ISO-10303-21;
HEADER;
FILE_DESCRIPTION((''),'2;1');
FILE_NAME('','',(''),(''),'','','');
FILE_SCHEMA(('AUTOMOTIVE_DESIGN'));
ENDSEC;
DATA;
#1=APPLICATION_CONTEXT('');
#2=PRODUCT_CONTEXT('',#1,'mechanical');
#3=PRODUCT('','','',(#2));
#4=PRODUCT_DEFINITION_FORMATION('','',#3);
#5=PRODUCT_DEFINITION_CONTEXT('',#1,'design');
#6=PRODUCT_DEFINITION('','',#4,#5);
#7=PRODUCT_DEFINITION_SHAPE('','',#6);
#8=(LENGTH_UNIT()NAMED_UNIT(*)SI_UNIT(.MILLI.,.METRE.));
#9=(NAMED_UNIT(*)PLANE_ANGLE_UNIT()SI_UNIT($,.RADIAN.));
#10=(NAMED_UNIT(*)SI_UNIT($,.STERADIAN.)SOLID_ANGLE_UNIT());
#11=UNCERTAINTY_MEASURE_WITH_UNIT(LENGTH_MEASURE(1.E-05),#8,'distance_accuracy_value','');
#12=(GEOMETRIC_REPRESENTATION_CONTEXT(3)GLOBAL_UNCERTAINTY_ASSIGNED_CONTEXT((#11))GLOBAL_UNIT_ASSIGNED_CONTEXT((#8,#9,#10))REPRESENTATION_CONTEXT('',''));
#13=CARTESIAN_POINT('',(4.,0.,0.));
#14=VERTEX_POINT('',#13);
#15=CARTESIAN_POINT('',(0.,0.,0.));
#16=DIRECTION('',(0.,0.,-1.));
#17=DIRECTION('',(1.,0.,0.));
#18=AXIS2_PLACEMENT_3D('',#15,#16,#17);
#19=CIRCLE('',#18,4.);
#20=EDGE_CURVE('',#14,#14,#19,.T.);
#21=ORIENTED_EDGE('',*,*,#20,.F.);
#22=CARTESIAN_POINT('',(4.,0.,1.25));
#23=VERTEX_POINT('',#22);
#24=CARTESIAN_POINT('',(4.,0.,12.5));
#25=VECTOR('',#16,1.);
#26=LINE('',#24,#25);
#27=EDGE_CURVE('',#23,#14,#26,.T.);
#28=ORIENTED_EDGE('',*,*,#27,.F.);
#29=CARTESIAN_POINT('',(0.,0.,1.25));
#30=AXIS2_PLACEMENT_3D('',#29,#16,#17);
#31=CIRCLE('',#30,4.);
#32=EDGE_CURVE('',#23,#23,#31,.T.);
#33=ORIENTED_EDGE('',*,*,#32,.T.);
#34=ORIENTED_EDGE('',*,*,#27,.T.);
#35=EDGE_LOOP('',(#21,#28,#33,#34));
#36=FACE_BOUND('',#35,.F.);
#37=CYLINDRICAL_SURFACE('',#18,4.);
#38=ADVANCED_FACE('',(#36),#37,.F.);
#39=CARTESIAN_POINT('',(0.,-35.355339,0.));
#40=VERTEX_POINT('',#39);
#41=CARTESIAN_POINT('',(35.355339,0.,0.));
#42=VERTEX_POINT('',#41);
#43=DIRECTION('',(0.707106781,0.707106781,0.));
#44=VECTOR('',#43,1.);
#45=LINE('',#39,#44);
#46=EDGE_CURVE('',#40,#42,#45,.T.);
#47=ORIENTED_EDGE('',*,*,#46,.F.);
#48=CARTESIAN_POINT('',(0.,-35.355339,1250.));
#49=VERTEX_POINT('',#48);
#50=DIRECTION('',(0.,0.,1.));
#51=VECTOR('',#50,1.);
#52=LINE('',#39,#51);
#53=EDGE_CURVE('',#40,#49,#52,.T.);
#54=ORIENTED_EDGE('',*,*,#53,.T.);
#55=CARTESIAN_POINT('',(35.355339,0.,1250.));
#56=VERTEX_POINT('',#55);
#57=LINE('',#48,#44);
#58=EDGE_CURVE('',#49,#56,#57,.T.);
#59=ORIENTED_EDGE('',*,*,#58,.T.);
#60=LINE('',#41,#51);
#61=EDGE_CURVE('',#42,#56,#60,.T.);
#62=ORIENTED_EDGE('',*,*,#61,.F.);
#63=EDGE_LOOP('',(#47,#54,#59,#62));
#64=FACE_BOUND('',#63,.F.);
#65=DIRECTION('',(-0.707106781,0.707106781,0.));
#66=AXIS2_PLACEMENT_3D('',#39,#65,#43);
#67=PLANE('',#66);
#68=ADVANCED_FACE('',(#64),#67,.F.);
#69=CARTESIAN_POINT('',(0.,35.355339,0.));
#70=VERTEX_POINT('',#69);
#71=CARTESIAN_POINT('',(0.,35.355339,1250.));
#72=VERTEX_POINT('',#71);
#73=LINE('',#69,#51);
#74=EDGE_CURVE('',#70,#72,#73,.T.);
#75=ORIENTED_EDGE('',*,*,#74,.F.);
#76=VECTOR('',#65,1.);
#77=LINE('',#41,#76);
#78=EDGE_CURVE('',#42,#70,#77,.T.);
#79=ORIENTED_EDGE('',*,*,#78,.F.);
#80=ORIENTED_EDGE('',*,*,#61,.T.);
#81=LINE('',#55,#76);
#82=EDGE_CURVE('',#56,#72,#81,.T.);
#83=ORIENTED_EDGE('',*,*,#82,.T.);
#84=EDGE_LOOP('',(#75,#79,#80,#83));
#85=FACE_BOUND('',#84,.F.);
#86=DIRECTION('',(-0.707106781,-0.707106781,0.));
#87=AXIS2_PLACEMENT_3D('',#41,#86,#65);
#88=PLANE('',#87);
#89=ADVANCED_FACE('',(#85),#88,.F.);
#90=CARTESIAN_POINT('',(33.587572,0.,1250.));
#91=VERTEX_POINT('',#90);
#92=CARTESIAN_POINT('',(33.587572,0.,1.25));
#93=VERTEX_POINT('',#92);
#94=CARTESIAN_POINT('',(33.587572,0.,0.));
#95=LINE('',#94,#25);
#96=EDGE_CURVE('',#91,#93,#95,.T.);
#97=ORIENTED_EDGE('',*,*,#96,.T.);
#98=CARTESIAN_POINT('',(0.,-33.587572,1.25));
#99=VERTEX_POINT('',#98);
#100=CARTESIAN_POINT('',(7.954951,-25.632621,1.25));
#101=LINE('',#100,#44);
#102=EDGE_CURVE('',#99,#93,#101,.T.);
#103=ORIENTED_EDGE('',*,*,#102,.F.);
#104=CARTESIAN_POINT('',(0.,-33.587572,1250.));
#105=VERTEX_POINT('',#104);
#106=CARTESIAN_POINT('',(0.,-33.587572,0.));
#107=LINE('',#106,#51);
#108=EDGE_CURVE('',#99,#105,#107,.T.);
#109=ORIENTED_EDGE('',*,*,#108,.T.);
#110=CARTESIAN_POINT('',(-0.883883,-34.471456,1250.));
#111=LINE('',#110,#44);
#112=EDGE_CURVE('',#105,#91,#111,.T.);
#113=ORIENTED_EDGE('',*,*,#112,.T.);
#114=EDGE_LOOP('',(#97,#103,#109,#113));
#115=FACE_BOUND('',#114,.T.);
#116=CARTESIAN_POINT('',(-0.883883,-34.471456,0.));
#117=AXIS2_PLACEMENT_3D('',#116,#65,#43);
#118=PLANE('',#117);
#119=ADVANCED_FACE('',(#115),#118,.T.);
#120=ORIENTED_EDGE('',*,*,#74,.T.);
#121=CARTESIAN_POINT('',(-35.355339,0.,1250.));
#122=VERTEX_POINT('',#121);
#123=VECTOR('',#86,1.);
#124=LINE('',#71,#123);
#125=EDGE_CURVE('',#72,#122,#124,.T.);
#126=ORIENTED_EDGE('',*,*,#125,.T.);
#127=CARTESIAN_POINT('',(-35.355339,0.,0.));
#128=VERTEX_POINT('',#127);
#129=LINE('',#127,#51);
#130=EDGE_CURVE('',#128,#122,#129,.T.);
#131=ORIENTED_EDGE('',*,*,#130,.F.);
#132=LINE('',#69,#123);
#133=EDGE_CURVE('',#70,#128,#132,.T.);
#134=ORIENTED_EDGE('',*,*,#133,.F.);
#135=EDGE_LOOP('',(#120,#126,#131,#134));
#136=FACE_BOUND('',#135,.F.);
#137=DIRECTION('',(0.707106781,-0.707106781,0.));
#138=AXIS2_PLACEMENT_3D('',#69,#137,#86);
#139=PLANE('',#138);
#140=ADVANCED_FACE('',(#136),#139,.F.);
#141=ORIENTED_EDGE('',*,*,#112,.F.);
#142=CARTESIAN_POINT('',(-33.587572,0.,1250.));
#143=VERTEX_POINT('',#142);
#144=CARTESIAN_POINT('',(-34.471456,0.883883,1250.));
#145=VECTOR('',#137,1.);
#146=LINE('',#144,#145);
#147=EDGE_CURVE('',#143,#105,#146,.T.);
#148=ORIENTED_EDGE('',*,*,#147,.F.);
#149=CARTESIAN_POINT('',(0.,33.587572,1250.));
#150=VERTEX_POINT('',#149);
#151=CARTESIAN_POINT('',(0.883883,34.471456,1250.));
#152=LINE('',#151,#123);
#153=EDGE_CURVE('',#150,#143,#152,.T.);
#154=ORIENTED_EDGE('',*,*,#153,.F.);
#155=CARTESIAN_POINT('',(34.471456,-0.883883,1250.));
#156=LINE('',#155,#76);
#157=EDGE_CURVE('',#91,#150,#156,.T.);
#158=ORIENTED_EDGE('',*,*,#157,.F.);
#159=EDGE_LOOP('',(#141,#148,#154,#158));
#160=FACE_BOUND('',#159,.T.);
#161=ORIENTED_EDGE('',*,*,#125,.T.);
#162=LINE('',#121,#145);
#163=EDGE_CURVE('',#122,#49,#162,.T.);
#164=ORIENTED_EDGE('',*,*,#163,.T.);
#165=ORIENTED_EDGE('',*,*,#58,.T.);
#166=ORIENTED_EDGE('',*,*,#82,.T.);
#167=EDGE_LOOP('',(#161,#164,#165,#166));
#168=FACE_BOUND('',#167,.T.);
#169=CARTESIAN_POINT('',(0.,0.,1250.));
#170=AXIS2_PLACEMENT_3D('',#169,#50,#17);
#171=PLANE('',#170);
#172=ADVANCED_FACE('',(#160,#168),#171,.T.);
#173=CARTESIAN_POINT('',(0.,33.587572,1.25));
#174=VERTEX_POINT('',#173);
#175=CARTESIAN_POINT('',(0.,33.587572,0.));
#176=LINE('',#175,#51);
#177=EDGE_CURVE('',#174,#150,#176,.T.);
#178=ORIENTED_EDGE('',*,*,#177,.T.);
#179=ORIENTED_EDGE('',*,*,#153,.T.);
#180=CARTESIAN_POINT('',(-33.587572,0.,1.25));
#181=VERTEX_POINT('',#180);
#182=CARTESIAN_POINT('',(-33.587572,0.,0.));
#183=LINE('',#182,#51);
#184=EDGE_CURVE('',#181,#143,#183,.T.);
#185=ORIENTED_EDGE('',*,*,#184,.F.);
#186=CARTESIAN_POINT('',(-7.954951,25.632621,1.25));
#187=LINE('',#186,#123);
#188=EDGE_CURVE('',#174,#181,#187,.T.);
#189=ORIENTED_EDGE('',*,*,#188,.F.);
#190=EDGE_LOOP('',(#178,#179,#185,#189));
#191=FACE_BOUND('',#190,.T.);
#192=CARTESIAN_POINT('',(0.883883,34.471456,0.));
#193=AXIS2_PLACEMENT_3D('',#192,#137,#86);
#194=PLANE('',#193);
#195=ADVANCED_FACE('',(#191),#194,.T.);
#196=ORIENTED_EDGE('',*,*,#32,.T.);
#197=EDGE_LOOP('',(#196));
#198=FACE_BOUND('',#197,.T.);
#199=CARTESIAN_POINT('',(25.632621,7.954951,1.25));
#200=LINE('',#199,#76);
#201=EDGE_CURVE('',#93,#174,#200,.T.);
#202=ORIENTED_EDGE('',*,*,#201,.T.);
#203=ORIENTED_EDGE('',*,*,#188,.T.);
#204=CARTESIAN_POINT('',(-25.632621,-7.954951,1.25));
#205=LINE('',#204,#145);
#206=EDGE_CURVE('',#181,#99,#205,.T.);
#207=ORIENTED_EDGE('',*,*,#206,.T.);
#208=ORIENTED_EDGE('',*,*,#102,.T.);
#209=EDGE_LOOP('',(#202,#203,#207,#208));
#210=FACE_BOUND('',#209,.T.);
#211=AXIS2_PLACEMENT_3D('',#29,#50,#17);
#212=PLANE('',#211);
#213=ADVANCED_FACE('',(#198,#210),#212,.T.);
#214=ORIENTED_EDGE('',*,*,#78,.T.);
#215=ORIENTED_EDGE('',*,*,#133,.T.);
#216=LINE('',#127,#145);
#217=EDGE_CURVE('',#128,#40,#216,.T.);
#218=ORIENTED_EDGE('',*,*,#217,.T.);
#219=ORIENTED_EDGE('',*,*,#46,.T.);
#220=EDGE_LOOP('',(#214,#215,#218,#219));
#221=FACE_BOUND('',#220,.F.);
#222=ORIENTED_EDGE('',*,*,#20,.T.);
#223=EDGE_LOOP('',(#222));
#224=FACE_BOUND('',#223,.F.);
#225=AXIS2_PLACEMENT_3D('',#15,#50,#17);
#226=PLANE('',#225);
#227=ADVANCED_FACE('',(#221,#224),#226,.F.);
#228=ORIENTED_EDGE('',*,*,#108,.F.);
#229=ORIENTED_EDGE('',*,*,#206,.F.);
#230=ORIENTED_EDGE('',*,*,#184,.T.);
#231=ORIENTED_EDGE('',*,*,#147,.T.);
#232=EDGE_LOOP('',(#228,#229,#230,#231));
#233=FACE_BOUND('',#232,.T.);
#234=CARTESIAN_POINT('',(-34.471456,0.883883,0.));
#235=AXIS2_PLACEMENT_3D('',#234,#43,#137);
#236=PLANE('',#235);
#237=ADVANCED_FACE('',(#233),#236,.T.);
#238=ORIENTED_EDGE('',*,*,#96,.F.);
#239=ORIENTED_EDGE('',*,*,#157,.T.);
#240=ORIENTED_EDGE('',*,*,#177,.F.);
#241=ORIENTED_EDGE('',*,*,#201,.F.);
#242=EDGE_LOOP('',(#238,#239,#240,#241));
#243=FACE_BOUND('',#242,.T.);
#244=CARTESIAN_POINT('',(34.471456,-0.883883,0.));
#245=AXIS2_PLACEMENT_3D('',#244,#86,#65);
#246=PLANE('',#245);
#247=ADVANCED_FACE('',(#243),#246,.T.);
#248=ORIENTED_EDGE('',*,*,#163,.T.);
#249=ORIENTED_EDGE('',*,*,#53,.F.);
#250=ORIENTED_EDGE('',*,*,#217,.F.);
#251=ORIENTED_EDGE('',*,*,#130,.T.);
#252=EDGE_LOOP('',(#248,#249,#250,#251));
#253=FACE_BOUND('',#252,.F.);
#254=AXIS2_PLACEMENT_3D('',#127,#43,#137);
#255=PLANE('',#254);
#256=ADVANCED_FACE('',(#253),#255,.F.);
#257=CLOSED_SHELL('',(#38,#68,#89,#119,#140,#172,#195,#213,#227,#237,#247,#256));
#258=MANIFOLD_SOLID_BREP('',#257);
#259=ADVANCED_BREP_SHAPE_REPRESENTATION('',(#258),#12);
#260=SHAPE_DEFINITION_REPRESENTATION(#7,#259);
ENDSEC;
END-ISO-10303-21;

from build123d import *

# Parameters (mm, degrees)
F1_DEPTH = 1250
F2_T     = -1.25
F3_R     = 4
F4_DEPTH = 12.5


with BuildPart() as f1:
    # F0 (on Top) → F1 (new body)
    with BuildSketch(Plane.XY):
        Polygon((35.355339, 0), (0, 35.355339), (-35.355339, 0), (0, -35.355339), align=None)
    extrude(amount=F1_DEPTH)

    # F2
    f2_openings = [f1.faces().sort_by_distance(p)[0] for p in [
        (0, 0, 1250),
    ]]
    offset(amount=F2_T, openings=f2_openings)

    # F3 (on face) → F4 (cut, symmetric)
    with BuildSketch(Plane(origin=(0, 0, 0), x_dir=(1, 0, 0), z_dir=(0, 0, -1))):
        Circle(F3_R)
    extrude(amount=F4_DEPTH, both=True, mode=Mode.SUBTRACT)


solid = f1.part
